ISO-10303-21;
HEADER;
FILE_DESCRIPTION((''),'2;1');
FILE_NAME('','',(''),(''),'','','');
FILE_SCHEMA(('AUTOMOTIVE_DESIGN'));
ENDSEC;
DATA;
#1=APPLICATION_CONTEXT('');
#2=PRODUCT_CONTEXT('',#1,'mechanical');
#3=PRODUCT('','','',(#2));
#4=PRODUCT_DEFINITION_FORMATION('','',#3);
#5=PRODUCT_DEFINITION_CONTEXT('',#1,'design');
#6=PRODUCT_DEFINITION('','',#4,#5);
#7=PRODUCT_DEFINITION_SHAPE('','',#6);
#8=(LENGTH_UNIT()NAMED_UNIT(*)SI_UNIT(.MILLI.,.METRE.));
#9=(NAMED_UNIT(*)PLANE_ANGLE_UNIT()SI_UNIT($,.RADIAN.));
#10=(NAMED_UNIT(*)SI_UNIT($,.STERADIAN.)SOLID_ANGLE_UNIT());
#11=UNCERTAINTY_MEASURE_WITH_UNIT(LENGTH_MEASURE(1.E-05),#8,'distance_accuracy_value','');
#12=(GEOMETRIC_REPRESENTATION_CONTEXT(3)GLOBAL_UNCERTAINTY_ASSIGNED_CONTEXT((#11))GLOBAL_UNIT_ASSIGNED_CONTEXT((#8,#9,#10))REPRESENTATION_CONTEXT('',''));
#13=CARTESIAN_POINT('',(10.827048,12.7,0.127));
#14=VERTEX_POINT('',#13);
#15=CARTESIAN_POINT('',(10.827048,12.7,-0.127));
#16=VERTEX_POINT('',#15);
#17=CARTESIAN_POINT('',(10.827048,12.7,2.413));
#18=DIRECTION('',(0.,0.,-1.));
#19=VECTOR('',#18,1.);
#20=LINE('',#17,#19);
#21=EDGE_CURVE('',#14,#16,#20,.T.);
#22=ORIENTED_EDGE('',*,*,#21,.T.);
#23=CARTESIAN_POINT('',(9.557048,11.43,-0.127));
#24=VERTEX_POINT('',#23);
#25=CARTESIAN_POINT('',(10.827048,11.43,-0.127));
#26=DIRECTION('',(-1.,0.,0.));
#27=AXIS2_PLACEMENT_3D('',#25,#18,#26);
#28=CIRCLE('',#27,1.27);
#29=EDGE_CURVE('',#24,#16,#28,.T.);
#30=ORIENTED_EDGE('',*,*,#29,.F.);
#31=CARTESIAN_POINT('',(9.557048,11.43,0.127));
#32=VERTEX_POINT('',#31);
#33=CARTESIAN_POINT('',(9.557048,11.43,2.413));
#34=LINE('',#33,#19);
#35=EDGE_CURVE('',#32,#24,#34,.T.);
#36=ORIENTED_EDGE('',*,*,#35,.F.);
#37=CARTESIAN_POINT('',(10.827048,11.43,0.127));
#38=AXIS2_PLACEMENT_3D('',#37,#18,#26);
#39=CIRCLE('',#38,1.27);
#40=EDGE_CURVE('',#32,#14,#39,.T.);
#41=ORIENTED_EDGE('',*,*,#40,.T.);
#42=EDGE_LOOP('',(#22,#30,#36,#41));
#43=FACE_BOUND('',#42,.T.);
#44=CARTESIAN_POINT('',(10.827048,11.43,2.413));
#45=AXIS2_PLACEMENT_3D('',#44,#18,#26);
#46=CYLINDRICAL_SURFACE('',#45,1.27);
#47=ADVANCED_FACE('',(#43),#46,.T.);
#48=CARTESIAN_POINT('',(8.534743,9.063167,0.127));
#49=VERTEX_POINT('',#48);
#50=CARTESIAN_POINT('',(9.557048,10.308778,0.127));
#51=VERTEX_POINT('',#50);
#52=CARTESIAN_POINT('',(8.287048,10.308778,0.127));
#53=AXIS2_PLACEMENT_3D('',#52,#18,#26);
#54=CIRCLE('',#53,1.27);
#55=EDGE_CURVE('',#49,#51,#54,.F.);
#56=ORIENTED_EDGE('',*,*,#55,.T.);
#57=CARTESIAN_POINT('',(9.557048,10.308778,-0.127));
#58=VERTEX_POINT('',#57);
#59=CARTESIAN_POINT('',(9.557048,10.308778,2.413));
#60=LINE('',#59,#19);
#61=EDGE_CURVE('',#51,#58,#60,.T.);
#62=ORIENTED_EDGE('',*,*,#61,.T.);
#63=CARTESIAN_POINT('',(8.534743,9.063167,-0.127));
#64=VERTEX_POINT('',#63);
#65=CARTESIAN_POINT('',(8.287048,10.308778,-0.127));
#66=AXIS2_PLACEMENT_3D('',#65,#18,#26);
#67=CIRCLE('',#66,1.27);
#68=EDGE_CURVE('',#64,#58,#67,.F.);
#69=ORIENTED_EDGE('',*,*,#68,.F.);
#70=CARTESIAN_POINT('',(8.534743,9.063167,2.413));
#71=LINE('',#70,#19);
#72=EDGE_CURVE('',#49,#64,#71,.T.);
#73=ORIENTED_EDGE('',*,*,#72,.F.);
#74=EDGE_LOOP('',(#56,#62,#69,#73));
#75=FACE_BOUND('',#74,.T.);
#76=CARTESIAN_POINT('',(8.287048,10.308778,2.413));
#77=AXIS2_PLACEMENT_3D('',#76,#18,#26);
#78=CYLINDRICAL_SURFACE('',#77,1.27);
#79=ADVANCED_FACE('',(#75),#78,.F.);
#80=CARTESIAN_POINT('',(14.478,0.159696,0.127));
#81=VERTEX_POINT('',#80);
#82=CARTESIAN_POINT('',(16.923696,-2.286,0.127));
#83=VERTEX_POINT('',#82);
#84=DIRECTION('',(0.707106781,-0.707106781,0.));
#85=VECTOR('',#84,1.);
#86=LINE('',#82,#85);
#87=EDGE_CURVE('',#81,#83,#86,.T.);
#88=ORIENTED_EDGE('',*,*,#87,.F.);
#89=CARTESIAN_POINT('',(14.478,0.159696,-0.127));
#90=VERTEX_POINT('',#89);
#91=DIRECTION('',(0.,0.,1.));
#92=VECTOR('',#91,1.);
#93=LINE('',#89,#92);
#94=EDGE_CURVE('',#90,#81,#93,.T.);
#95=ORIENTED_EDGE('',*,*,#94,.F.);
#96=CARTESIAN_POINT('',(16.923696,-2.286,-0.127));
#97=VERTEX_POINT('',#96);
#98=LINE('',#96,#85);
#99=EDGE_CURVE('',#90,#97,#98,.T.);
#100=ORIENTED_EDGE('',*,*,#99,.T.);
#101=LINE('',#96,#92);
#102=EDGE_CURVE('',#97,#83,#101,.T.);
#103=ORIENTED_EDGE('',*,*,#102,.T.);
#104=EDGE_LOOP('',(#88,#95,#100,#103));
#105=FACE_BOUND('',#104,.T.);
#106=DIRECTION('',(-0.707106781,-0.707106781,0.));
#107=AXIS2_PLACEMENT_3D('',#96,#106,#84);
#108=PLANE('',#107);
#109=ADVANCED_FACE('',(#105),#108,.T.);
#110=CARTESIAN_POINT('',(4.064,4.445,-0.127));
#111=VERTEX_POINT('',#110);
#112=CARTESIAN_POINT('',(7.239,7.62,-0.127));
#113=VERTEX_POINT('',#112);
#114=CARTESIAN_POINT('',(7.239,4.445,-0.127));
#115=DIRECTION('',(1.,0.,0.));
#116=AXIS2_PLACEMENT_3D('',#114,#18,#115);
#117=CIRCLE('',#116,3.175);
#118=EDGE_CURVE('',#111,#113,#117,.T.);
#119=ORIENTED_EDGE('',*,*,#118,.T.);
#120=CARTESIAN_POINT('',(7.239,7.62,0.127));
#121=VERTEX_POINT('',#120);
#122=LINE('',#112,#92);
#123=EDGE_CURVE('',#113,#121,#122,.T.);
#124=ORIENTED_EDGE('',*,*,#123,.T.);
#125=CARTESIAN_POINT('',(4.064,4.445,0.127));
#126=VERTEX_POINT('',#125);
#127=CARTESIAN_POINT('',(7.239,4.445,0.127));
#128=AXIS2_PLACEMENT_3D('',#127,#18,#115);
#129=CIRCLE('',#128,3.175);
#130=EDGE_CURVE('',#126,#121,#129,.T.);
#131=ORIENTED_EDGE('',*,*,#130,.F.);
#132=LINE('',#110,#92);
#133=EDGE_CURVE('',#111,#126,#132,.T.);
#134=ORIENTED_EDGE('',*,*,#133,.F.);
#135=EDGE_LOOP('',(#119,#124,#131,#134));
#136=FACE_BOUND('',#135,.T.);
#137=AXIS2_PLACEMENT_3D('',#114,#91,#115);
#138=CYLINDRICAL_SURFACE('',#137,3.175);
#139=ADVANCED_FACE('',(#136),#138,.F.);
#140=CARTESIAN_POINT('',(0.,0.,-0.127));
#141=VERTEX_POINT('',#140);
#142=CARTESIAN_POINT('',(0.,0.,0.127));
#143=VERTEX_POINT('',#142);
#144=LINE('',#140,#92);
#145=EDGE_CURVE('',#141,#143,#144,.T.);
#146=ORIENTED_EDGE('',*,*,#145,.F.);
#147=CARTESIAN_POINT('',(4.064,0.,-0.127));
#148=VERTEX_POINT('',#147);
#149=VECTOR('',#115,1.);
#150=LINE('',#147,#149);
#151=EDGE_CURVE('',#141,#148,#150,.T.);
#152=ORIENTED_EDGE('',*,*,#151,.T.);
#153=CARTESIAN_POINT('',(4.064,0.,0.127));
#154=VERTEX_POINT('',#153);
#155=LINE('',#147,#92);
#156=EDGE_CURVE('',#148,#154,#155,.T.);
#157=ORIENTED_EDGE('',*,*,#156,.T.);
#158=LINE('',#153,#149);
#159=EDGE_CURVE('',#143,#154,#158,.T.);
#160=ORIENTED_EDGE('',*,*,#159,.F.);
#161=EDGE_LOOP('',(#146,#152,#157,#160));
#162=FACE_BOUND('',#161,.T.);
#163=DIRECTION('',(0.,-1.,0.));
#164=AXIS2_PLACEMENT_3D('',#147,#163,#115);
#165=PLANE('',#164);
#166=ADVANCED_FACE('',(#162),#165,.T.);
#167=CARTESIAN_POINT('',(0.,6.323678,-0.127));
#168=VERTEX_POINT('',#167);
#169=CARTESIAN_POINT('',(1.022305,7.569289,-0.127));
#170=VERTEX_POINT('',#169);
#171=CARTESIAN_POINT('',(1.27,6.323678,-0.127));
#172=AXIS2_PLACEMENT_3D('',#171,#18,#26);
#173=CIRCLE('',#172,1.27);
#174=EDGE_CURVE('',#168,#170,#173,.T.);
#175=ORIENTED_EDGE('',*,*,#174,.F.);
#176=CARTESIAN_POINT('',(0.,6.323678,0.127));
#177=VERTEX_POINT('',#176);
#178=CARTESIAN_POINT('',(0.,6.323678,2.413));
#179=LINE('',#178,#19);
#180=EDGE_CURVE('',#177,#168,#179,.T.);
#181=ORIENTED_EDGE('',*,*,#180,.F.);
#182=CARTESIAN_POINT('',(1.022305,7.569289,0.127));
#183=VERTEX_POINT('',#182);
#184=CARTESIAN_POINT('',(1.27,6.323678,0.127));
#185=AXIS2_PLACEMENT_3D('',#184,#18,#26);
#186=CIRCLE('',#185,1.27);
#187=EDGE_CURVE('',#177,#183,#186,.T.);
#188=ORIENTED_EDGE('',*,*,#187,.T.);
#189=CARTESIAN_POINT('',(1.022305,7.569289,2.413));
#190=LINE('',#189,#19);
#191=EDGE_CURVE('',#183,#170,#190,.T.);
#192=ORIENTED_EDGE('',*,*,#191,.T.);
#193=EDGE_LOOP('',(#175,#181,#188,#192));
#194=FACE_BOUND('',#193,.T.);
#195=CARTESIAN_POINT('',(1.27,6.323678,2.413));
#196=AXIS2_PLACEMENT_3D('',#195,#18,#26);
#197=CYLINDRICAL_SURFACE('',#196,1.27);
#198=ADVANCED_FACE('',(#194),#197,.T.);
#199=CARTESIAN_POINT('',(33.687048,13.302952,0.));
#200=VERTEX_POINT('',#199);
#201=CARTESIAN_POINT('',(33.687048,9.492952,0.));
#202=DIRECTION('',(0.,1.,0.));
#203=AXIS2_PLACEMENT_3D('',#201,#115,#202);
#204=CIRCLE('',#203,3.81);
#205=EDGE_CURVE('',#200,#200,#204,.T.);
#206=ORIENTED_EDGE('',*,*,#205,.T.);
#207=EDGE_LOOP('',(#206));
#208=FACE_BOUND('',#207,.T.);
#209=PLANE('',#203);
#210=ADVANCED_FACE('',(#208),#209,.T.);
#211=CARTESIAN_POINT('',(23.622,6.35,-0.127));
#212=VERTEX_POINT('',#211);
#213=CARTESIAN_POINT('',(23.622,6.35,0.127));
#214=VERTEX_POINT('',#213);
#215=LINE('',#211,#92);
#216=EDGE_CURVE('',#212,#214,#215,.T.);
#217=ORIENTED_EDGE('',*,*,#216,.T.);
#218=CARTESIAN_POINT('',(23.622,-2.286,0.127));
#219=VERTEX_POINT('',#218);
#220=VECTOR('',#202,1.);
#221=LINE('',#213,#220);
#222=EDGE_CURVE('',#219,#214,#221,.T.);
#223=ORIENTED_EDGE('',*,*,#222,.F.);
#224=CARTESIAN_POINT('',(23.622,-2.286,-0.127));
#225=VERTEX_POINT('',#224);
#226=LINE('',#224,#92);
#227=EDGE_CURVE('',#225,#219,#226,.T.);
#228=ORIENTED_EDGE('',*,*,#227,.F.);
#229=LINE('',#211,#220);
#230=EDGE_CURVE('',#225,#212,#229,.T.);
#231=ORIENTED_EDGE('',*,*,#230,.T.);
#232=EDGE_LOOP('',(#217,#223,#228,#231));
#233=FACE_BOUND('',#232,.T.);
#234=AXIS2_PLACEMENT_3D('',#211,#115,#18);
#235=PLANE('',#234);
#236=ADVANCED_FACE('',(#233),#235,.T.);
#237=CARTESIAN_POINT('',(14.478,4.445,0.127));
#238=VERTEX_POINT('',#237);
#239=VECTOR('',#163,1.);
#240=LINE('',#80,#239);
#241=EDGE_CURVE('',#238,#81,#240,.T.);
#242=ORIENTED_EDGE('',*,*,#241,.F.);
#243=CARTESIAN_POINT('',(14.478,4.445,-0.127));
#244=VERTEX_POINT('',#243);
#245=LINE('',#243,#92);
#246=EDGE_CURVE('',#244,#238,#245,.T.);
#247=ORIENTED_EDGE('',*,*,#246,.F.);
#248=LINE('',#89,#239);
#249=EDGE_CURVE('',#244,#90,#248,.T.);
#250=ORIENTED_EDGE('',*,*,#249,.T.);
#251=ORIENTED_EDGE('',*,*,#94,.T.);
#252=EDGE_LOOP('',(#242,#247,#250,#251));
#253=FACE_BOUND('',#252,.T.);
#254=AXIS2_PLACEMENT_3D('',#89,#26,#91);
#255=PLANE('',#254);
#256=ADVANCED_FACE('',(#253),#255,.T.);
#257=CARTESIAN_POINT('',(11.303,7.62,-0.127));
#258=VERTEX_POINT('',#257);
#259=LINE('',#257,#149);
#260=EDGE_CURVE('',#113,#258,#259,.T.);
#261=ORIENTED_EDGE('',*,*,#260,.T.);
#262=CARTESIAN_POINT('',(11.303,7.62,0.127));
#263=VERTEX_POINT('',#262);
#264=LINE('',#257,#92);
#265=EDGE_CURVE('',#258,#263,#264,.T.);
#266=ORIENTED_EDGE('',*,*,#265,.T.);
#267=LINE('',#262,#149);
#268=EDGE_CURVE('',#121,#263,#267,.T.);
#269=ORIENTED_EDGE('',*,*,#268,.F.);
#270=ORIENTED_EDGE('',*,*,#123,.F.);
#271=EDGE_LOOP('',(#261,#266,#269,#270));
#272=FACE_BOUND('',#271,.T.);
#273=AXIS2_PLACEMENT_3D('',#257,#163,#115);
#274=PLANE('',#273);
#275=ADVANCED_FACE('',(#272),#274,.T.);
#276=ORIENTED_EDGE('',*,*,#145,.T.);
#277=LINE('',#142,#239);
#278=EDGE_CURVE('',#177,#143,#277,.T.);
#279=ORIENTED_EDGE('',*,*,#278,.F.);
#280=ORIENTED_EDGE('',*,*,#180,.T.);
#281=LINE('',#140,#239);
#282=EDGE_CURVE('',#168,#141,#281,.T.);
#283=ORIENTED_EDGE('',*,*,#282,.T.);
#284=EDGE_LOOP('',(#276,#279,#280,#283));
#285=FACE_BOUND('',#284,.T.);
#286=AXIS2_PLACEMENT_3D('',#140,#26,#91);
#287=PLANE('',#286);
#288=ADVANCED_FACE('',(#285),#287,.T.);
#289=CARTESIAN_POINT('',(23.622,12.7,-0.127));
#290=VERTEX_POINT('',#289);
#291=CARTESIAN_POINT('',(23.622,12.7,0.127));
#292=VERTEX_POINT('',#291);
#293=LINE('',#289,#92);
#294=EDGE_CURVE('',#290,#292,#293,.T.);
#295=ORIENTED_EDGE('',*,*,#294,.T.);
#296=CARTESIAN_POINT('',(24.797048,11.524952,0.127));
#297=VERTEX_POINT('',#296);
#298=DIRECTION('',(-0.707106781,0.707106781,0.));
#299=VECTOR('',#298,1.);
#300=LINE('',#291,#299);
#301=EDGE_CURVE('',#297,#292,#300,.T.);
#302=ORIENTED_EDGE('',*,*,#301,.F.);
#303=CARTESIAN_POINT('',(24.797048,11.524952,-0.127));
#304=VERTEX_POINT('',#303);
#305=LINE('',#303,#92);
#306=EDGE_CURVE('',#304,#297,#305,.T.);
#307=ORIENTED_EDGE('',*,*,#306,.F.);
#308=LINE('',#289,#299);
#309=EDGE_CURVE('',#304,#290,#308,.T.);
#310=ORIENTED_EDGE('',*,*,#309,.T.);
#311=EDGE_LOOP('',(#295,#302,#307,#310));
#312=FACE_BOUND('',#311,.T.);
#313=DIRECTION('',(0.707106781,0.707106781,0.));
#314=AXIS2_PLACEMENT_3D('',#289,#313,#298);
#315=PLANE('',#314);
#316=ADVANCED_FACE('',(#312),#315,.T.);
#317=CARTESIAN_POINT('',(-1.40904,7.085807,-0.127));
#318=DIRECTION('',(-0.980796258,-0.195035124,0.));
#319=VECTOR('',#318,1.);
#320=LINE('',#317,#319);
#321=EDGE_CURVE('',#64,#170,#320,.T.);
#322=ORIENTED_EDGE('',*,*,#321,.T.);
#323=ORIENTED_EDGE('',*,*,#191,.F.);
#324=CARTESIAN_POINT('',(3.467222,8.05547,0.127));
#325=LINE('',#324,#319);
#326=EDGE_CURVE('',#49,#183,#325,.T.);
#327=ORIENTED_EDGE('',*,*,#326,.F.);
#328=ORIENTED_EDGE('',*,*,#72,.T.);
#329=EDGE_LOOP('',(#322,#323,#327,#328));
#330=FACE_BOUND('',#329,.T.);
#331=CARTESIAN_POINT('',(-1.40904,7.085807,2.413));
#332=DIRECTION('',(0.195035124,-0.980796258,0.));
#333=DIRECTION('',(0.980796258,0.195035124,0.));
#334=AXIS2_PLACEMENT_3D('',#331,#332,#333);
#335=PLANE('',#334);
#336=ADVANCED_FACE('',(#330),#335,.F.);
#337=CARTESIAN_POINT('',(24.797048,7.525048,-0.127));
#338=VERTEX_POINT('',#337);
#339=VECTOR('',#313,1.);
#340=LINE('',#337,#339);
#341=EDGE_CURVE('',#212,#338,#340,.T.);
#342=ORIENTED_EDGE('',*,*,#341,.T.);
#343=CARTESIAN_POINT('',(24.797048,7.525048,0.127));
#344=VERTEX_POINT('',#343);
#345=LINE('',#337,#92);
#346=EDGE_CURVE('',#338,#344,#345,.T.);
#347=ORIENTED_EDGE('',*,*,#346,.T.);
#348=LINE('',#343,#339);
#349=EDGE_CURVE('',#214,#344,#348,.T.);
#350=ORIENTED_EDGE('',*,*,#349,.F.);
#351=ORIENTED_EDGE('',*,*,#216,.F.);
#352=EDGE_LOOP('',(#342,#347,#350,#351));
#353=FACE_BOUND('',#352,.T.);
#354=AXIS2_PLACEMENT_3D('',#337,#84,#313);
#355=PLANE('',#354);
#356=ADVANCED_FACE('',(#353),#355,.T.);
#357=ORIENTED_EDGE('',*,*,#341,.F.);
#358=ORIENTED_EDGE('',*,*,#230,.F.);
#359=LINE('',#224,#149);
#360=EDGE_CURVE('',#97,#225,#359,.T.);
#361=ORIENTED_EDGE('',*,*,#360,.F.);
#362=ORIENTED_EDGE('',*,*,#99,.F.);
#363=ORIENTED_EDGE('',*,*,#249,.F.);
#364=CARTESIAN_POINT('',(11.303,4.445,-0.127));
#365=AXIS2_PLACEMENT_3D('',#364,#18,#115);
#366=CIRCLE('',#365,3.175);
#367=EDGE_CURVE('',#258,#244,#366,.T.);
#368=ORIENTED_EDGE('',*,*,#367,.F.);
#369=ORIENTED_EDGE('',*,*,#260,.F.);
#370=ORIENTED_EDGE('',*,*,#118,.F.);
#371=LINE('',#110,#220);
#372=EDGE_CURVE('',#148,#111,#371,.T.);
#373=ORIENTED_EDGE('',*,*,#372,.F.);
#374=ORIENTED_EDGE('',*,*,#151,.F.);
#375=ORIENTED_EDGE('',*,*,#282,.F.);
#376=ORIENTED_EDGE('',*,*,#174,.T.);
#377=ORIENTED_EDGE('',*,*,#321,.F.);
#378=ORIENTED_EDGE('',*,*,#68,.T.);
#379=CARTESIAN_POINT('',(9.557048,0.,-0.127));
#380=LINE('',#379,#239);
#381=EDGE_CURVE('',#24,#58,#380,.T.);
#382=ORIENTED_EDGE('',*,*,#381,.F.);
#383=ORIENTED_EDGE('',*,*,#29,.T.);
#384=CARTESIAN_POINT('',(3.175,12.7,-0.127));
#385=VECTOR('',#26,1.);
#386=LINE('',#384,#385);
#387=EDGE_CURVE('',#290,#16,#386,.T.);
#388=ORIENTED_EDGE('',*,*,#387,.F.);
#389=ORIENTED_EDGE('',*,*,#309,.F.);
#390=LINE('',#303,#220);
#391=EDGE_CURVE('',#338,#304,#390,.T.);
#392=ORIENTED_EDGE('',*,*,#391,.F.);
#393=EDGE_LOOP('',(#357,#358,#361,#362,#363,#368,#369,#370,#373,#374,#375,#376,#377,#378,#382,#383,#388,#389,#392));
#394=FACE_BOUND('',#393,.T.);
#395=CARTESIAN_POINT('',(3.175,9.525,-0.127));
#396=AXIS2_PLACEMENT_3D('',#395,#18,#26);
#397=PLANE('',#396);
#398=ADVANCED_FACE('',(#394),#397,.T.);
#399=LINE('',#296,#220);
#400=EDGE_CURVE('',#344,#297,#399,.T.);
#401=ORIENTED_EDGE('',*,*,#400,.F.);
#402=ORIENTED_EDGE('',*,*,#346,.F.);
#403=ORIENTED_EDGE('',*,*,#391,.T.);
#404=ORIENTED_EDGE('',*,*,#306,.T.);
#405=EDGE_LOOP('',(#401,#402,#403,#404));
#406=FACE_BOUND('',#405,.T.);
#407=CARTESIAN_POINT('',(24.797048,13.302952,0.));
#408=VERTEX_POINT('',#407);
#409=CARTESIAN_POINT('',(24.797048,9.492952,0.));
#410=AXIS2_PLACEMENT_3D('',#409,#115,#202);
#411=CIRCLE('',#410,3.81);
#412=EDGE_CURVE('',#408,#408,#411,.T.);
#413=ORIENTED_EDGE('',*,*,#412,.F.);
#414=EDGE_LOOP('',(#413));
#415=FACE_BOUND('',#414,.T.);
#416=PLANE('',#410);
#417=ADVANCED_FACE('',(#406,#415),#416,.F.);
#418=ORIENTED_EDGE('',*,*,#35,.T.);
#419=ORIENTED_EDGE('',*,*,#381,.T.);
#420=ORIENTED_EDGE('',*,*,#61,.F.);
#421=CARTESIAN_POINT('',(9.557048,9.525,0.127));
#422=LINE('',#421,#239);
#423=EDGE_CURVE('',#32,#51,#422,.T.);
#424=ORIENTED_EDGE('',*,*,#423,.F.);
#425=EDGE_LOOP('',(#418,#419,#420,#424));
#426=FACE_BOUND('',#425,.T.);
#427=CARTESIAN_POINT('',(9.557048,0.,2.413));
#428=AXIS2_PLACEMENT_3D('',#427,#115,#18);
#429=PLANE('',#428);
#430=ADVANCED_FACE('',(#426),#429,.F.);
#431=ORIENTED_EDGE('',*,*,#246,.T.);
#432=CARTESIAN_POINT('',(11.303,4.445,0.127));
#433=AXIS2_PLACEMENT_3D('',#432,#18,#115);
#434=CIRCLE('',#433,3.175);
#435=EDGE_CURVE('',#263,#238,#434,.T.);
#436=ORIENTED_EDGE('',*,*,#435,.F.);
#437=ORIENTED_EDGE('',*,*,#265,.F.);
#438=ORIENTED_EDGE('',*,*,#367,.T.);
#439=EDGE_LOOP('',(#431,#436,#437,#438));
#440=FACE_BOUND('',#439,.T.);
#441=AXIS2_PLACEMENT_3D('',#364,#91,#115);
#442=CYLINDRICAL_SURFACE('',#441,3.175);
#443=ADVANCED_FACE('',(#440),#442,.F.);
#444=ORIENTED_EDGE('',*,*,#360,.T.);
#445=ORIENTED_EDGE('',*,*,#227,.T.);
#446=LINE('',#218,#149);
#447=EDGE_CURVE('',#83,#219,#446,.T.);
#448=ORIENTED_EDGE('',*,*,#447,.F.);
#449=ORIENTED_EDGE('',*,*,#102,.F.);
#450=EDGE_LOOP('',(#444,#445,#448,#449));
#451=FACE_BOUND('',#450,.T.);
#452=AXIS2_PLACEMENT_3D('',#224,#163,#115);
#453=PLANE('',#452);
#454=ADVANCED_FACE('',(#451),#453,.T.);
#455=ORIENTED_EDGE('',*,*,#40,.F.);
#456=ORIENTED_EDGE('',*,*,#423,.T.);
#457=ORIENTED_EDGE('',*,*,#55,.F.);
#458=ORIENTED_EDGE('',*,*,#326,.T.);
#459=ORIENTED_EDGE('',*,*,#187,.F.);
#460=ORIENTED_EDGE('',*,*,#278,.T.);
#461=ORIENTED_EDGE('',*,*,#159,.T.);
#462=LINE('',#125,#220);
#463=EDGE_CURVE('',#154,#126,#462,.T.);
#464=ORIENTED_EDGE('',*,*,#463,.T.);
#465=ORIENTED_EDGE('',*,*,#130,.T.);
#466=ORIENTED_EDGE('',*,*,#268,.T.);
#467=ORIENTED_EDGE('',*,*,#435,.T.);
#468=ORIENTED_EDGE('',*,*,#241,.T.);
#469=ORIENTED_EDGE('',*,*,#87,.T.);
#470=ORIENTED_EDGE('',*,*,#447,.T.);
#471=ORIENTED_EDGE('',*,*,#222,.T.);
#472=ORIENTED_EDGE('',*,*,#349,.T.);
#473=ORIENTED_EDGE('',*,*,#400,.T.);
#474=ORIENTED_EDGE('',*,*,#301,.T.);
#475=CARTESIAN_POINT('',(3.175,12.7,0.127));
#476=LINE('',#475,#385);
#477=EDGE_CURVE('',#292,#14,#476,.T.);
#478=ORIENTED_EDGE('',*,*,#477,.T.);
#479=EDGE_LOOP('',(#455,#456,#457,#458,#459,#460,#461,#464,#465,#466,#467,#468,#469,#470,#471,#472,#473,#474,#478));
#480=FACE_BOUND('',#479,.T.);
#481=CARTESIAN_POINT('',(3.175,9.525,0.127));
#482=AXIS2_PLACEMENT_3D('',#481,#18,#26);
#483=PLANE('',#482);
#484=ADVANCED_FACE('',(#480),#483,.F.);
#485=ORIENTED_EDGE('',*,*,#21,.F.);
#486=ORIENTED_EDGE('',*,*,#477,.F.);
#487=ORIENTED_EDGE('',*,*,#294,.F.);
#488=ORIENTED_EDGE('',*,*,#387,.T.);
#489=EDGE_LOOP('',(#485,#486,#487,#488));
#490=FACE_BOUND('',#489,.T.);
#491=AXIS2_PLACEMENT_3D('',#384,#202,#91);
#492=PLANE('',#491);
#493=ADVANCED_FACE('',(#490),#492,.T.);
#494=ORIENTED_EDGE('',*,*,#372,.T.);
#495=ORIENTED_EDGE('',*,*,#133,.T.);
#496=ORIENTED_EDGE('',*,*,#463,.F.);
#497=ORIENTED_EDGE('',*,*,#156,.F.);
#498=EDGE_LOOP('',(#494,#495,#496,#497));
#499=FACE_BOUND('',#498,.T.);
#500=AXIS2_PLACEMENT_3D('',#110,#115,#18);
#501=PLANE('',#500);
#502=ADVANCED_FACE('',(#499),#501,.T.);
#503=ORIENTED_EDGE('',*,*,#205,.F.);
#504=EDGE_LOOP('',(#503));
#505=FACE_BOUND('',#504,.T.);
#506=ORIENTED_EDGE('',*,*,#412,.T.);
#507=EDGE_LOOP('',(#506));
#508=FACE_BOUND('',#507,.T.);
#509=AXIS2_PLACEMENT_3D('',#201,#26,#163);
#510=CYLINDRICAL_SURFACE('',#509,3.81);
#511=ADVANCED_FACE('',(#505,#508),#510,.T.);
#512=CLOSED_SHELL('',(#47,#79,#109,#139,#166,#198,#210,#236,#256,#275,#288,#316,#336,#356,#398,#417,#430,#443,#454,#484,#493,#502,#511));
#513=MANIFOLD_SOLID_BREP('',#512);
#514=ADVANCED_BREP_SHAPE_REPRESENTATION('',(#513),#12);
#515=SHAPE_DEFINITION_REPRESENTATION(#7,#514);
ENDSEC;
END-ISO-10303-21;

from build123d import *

# Parameters (mm, degrees)
BOSS_EXTRUDE1_DEPTH = 0.127
SKETCH5_R           = 3.81
BOSS_EXTRUDE2_DEPTH = 8.89
CUT_EXTRUDE1_DEPTH  = 4.937
CUT_EXTRUDE3_DEPTH  = 2.54


with BuildPart() as part:
    # Sketch1 → Boss-Extrude1 (new body, symmetric)
    with BuildSketch(Plane.XY):
        with BuildLine():
            Line((0, 0), (0, 9.525))
            ThreePointArc((0, 9.525), (0.92993597, 11.77006403), (3.175, 12.7))
            Line((3.175, 12.7), (23.622, 12.7))
            Line((23.622, 12.7), (24.79704807, 11.52495193))
            Line((24.79704807, 11.52495193), (24.79704807, 7.52504807))
            Line((24.79704807, 7.52504807), (23.622, 6.35))
            Line((23.622, 6.35), (23.622, -2.286))
            Line((23.622, -2.286), (16.92369646, -2.286))
            Line((16.92369646, -2.286), (14.478, 0.15969646))
            Line((14.478, 0.15969646), (14.478, 4.445))
            ThreePointArc((14.478, 4.445), (13.54806403, 6.69006403), (11.303, 7.62))
            Line((11.303, 7.62), (7.239, 7.62))
            ThreePointArc((7.239, 7.62), (4.99393597, 6.69006403), (4.064, 4.445))
            Line((4.064, 4.445), (4.064, 0))
            Line((4.064, 0), (0, 0))
        make_face()
    extrude(amount=BOSS_EXTRUDE1_DEPTH, both=True)

    # Sketch5 → Boss-Extrude2 (add)
    with BuildSketch(Plane(origin=(24.79704807, 0, 0), x_dir=(0, 0, -1), z_dir=(1, 0, 0))):
        with Locations((0, 9.49295193)):
            Circle(SKETCH5_R)
    extrude(amount=BOSS_EXTRUDE2_DEPTH)

    # Sketch6 → Cut-Extrude1 (cut, through all)
    with BuildSketch(Plane.XY.offset(0.127)):
        Polygon((4.826, 10.922), (4.826, 8.382), (9.144, 9.652), align=None)
    extrude(amount=-CUT_EXTRUDE1_DEPTH, mode=Mode.SUBTRACT)

    # Sketch8 → Cut-Extrude3 (cut)
    with BuildSketch(Plane(origin=(0, 0, -0.127), x_dir=(-1, 0, 0), z_dir=(0, 0, -1))):
        with BuildLine():
            ThreePointArc((-10.82704807, 12.7), (-9.929022457, 12.328025612), (-9.55704807, 11.43))
            Line((-9.55704807, 11.43), (-9.55704807, 10.308777788))
            ThreePointArc((-9.55704807, 10.308777788), (-9.268748673, 9.503070692), (-8.534742676, 9.06316654))
            Line((-8.534742676, 9.06316654), (-1.022305393, 7.569289375))
            ThreePointArc((-1.022305393, 7.569289375), (-0.288299396, 7.129385223), (0, 6.323678127))
            Line((0, 6.323678127), (0, 9.525))
            ThreePointArc((0, 9.525), (-0.92993597, 11.77006403), (-3.175, 12.7))
            Line((-3.175, 12.7), (-10.82704807, 12.7))
        make_face()
        Polygon((-4.826, 8.382), (-9.144, 9.652), (-4.826, 10.922), align=None, mode=Mode.SUBTRACT)
    extrude(amount=-CUT_EXTRUDE3_DEPTH, mode=Mode.SUBTRACT)


solid = part.part
